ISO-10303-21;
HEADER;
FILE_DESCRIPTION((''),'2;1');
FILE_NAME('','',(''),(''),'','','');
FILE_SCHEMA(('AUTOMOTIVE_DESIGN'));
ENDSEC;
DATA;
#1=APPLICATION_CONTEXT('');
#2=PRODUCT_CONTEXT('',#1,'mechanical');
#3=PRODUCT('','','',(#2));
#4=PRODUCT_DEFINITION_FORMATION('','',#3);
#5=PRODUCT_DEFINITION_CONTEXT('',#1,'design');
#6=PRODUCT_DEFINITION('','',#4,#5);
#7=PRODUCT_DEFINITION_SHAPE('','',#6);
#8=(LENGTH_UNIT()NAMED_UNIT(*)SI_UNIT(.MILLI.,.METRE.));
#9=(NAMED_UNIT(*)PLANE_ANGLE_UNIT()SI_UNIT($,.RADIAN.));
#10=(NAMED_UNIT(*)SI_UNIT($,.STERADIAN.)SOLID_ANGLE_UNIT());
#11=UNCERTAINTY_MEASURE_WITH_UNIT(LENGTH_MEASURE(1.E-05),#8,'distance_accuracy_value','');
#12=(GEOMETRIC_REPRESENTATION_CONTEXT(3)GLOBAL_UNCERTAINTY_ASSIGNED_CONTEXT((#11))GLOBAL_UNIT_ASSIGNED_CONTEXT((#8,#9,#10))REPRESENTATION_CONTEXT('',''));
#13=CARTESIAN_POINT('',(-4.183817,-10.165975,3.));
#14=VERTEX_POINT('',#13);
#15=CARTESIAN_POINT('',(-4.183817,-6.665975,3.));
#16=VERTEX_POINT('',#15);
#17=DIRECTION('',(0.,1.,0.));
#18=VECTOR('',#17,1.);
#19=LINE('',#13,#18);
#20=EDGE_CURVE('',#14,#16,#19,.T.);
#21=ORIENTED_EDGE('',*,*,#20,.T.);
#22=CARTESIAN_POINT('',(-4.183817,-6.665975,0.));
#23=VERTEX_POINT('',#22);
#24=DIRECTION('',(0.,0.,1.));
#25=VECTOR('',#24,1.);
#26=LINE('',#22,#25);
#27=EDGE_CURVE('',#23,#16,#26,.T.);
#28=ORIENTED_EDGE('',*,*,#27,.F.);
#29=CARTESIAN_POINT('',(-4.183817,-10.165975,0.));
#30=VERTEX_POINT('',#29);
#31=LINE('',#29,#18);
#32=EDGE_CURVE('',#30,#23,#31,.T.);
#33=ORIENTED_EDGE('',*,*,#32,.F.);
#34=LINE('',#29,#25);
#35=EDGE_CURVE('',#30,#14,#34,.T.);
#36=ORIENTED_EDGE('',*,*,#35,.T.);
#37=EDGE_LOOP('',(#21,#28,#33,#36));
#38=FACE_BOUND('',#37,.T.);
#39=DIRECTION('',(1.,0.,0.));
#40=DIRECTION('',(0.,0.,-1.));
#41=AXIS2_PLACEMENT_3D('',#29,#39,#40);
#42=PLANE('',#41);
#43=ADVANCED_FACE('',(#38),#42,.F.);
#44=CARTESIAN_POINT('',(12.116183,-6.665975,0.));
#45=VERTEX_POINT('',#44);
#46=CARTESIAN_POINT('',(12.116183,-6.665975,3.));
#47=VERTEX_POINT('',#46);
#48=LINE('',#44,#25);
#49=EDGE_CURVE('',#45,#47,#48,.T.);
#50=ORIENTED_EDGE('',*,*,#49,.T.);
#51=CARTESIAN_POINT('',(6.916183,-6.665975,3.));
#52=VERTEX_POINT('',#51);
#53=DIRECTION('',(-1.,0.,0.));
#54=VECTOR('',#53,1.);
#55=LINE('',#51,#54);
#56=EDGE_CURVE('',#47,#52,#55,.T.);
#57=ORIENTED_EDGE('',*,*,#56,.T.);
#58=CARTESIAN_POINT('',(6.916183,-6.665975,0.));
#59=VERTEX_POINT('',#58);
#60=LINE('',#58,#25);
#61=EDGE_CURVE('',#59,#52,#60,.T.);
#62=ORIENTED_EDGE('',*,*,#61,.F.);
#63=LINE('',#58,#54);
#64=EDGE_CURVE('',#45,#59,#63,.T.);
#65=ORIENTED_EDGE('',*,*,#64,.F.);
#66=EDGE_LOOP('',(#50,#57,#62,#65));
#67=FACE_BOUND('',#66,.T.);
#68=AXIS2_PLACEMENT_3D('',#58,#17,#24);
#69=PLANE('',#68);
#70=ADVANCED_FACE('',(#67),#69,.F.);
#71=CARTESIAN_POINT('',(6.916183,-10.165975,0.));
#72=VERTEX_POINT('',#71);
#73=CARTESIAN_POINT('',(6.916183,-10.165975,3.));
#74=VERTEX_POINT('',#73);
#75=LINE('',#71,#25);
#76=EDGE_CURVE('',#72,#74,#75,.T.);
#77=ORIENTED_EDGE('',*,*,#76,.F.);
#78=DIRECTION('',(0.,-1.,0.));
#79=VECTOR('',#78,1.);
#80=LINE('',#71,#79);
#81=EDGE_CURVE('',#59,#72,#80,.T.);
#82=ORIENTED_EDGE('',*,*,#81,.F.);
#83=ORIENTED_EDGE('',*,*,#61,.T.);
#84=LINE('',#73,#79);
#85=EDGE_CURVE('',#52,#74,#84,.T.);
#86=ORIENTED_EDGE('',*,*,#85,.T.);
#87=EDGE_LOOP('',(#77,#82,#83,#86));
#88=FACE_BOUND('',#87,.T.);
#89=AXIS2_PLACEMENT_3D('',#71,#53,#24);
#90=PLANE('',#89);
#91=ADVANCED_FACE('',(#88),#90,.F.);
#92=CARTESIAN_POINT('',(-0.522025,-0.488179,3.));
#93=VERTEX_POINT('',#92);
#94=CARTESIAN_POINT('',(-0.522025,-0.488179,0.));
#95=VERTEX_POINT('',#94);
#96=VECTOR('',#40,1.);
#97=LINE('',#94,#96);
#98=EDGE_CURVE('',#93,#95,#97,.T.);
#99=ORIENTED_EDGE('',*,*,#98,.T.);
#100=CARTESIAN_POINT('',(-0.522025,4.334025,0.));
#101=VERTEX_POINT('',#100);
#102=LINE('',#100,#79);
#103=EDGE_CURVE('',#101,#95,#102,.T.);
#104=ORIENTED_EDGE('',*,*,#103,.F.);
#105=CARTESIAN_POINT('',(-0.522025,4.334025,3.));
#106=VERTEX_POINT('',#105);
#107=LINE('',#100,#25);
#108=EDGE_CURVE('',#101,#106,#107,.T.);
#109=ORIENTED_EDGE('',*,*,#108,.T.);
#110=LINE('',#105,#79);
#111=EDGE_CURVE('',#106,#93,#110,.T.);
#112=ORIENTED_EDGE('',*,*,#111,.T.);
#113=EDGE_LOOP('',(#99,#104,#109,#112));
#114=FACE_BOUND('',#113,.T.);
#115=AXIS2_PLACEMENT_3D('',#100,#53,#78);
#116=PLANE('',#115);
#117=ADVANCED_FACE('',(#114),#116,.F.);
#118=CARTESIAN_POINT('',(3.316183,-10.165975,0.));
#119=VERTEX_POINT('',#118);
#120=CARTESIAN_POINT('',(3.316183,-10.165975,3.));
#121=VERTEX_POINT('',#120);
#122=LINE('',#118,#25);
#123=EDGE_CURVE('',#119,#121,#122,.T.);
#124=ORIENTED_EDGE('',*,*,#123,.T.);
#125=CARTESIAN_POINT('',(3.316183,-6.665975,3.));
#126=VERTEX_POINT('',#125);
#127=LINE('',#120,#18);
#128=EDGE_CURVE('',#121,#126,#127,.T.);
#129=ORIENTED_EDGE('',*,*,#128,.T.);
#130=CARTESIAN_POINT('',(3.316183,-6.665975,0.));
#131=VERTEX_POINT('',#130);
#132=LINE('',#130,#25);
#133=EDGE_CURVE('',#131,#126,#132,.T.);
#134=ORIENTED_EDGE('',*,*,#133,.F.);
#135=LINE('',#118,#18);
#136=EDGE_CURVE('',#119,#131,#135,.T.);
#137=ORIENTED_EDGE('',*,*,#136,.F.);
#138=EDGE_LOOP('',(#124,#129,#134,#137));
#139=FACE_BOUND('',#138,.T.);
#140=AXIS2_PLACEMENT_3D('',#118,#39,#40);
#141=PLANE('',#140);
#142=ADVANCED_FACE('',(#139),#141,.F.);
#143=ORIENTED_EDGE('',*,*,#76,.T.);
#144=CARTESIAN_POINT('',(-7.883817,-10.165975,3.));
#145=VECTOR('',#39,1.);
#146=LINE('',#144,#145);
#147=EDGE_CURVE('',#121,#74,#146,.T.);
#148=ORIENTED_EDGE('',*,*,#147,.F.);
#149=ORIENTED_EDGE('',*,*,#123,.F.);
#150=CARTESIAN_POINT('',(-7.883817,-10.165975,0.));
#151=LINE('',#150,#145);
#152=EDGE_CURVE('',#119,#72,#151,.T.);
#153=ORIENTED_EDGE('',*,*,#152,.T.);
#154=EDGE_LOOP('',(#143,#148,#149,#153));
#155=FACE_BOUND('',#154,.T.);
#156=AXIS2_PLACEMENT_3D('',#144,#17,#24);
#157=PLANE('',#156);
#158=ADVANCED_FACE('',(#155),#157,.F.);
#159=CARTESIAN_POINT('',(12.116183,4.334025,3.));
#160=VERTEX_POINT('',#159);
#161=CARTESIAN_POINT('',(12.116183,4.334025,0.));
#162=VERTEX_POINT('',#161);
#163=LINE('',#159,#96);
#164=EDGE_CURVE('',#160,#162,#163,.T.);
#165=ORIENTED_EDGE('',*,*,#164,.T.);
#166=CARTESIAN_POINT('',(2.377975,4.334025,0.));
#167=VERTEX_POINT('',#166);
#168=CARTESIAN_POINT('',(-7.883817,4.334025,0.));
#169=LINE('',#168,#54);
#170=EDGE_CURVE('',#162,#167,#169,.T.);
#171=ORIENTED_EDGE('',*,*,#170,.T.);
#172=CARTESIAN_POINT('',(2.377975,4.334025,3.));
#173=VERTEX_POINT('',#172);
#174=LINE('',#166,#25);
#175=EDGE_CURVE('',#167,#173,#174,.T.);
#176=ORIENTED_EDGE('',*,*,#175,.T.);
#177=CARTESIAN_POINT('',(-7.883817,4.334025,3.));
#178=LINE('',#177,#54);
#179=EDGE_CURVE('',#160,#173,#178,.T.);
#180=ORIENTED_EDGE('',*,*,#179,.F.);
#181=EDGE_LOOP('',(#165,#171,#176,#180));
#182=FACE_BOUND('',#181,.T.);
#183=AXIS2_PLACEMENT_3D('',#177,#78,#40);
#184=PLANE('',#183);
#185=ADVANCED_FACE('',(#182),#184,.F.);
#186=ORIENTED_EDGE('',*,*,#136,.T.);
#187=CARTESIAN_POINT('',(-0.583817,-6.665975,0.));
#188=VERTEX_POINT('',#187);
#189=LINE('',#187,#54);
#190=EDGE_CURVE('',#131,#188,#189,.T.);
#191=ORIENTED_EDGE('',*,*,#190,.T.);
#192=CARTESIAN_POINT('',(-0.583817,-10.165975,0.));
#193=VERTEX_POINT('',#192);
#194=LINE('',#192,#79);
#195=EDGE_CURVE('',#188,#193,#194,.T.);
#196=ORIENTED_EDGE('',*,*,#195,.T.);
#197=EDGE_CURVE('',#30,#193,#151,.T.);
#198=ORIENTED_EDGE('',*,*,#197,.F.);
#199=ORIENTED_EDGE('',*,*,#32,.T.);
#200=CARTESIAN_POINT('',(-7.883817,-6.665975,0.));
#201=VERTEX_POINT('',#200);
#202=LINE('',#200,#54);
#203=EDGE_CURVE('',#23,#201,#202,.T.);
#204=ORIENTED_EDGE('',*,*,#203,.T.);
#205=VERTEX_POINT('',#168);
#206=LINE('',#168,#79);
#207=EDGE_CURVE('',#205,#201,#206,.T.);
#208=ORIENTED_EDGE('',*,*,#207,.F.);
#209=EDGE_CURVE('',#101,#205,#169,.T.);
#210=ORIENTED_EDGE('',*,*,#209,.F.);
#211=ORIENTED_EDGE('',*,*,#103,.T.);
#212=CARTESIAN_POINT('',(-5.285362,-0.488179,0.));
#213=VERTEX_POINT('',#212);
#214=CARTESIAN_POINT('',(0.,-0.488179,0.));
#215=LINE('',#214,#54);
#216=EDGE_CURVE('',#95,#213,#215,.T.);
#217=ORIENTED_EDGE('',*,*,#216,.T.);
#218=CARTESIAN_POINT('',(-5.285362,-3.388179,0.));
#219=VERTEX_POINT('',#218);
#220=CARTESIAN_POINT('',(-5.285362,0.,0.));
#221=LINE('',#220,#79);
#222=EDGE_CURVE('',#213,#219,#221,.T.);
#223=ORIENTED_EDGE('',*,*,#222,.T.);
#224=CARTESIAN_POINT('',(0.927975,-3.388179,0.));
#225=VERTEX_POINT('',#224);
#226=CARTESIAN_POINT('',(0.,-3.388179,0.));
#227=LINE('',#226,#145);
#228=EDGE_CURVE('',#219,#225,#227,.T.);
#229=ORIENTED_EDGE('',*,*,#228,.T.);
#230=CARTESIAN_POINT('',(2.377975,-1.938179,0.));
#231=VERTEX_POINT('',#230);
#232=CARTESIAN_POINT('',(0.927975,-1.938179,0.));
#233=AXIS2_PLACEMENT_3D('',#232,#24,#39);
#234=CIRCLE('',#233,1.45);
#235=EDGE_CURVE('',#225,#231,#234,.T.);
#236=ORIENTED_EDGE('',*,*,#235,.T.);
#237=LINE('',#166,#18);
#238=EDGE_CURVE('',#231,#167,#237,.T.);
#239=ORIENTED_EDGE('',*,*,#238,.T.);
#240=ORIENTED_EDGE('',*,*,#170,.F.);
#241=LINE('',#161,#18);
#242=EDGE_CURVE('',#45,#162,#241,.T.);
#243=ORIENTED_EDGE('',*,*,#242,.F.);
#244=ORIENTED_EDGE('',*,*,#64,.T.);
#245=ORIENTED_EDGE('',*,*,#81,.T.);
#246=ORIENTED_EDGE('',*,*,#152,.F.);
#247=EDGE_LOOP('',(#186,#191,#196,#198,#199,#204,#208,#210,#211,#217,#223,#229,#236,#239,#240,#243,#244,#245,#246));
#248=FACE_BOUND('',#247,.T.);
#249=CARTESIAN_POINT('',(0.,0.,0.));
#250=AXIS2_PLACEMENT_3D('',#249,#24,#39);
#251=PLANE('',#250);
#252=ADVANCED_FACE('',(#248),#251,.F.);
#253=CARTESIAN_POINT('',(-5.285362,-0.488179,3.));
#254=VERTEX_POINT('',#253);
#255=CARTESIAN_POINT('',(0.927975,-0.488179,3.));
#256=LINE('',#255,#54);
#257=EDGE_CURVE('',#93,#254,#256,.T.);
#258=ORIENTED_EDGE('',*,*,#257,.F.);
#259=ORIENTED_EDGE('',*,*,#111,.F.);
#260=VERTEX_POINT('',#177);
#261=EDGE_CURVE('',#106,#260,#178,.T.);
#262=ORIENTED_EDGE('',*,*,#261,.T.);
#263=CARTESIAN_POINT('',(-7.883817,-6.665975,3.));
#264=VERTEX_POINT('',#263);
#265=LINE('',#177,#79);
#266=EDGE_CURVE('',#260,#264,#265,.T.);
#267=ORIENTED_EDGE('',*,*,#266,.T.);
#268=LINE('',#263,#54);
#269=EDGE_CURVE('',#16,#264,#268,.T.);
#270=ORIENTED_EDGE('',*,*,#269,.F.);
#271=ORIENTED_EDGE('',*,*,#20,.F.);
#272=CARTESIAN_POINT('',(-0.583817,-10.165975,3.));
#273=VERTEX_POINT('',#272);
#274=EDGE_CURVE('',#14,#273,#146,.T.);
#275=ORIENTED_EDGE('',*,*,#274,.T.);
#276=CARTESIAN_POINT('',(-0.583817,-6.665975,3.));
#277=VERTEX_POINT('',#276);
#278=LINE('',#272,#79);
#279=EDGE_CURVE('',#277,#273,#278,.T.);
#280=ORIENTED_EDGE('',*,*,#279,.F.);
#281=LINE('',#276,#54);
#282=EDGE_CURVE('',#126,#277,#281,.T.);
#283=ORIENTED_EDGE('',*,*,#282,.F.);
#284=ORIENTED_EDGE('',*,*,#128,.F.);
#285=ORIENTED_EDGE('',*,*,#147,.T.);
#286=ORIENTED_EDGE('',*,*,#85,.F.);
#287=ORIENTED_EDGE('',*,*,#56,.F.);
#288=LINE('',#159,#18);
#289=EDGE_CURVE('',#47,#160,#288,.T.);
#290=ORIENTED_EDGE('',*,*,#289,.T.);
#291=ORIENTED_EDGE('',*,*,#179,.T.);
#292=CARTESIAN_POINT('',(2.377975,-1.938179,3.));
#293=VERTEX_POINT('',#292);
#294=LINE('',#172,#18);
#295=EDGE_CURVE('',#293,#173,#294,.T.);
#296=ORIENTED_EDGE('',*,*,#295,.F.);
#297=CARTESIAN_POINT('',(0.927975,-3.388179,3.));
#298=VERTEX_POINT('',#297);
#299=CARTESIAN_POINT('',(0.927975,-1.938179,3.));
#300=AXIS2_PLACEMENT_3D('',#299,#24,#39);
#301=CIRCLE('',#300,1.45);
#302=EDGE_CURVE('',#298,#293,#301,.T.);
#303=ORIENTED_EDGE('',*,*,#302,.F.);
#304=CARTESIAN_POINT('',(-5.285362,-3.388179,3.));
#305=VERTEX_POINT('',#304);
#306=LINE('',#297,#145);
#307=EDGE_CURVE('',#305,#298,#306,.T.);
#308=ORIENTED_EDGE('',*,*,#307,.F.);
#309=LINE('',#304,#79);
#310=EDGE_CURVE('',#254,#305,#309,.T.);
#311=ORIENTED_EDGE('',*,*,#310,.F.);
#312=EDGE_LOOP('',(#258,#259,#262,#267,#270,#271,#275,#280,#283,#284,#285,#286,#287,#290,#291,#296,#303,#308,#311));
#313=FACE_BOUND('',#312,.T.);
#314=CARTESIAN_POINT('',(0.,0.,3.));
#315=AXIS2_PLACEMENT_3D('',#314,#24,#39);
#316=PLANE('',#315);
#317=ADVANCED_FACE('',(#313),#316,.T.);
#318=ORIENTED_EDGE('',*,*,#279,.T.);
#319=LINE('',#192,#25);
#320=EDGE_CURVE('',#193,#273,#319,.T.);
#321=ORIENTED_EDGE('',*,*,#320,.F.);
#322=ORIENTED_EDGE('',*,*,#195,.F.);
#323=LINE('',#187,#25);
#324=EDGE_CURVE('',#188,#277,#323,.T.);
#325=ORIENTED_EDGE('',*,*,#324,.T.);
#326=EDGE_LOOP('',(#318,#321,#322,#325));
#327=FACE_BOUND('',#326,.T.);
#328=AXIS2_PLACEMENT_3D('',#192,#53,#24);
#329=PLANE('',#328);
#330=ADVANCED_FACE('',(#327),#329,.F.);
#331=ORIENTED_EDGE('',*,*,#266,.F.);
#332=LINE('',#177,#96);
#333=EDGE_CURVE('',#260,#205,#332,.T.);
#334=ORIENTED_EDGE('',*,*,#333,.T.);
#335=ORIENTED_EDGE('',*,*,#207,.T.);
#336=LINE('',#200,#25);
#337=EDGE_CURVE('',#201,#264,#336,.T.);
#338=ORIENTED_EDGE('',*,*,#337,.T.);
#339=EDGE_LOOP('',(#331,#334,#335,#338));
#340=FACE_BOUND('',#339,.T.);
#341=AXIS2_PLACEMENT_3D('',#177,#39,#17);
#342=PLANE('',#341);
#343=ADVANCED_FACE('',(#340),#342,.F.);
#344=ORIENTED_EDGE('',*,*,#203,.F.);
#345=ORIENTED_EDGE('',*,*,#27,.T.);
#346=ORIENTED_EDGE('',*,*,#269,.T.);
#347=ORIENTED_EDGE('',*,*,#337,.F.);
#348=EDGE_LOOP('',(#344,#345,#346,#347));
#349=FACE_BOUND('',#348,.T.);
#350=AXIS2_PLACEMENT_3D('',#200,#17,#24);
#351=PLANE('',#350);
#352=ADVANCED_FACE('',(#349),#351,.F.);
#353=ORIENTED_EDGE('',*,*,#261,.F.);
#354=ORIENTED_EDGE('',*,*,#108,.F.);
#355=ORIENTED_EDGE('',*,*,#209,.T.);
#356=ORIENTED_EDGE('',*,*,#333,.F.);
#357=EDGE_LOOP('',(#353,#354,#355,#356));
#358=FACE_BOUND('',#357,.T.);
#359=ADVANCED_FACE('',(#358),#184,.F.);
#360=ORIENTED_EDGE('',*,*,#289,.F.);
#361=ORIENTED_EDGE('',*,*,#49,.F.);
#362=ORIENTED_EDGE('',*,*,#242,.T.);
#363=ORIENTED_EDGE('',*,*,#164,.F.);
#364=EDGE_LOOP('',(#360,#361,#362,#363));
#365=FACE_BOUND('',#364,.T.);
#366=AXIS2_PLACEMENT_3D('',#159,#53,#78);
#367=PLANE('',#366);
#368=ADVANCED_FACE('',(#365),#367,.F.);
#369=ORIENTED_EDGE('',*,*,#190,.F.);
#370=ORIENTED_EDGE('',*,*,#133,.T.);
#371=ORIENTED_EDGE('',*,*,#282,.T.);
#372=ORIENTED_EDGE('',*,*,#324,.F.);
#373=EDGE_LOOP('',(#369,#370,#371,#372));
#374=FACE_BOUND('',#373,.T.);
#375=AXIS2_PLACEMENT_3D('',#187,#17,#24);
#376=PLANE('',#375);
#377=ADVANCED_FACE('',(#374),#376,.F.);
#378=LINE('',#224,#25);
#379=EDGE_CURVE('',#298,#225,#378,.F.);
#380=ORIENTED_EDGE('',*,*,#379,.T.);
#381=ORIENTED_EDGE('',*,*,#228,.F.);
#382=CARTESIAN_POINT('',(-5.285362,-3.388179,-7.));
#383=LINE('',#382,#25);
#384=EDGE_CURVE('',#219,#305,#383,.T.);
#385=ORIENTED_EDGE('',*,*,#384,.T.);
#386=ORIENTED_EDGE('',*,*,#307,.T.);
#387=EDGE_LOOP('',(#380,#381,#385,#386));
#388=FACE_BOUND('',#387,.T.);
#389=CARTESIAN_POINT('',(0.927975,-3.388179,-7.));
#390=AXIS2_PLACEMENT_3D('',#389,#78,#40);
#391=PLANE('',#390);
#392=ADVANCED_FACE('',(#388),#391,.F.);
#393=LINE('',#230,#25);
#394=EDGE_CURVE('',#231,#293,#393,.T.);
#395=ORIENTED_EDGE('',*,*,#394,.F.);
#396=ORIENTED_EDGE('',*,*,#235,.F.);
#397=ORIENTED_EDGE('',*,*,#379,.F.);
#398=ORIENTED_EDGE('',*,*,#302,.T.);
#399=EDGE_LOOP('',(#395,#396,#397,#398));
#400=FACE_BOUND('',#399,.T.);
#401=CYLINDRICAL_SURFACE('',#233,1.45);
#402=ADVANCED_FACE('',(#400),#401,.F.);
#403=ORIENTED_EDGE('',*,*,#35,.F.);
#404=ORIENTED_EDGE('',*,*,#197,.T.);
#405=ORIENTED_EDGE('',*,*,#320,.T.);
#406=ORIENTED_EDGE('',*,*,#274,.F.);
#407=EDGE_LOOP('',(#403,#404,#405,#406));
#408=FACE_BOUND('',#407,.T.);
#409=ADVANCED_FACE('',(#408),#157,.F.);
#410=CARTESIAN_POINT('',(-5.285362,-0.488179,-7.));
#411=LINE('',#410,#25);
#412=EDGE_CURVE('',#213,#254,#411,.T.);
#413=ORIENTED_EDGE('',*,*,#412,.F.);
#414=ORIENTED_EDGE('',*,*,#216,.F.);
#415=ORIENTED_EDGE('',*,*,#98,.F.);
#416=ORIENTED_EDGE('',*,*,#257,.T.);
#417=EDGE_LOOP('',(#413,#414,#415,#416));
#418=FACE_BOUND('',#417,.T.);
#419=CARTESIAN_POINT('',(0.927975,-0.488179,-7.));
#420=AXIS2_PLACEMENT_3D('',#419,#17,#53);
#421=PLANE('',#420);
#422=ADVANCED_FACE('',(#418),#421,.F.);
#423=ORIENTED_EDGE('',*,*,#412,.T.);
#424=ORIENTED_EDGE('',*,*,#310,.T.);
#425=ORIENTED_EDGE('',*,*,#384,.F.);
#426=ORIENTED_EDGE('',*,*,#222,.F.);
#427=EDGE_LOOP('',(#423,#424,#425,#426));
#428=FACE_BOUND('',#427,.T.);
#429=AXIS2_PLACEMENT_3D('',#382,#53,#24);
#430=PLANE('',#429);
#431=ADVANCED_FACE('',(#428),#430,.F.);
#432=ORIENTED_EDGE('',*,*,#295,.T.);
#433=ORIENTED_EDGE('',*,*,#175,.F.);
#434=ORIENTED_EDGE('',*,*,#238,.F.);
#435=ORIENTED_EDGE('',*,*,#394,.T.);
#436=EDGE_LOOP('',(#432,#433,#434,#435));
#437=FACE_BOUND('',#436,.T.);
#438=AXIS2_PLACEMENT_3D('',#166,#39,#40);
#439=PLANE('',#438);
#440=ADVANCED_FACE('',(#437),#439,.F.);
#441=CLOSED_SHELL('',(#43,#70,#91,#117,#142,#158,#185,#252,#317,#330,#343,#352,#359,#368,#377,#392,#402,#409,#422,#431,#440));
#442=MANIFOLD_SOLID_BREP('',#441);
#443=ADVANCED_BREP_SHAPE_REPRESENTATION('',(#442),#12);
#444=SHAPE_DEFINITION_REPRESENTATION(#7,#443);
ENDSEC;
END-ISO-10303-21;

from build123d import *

# Parameters (mm, degrees)
SKETCH1_W           = 20
SKETCH1_H           = 14.5
BOSS_EXTRUDE1_DEPTH = 3
SKETCH2_W           = 3.7
SKETCH2_H           = 3.5
SKETCH2_W_2         = 3.9
SKETCH2_W_3         = 5.2
CUT_EXTRUDE1_DEPTH  = 3
CUT_EXTRUDE2_DEPTH  = 3
SKETCH4_W           = 6.213336345
SKETCH4_H           = 2.9
CUT_EXTRUDE3_DEPTH  = 10


with BuildPart() as part:
    # Sketch1 → Boss-Extrude1 (new body)
    with BuildSketch(Plane.XY):
        with Locations((2.116182573, -2.915975104)):
            Rectangle(SKETCH1_W, SKETCH1_H)
    extrude(amount=BOSS_EXTRUDE1_DEPTH)

    # Sketch2 → Cut-Extrude1 (cut)
    with BuildSketch(Plane.XY.offset(3)):
        with Locations((-6.033817427, -8.415975104)):
            Rectangle(SKETCH2_W, SKETCH2_H)
        with Locations((1.366182573, -8.415975104)):
            Rectangle(SKETCH2_W_2, SKETCH2_H)
        with Locations((9.516182573, -8.415975104)):
            Rectangle(SKETCH2_W_3, SKETCH2_H)
    extrude(amount=-CUT_EXTRUDE1_DEPTH, mode=Mode.SUBTRACT)

    # Sketch3 → Cut-Extrude2 (cut)
    with BuildSketch(Plane.XY.offset(3)):
        with BuildLine():
            Line((2.377974825, 4.334024896), (2.377974825, -1.938179145))
            ThreePointArc((2.377974825, -1.938179145), (0.927974825, -3.388179145), (-0.522025175, -1.938179145))
            Line((-0.522025175, -1.938179145), (-0.522025175, 4.334024896))
            ThreePointArc((-0.522025175, 4.334024896), (0.927974825, 5.784024896), (2.377974825, 4.334024896))
        make_face()
    extrude(amount=-CUT_EXTRUDE2_DEPTH, mode=Mode.SUBTRACT)

    # Sketch4 → Cut-Extrude3 (cut)
    with BuildSketch(Plane.XY.offset(3)):
        with Locations((-2.178693348, -1.938179145)):
            Rectangle(SKETCH4_W, SKETCH4_H)
    extrude(amount=-CUT_EXTRUDE3_DEPTH, mode=Mode.SUBTRACT)


solid = part.part
